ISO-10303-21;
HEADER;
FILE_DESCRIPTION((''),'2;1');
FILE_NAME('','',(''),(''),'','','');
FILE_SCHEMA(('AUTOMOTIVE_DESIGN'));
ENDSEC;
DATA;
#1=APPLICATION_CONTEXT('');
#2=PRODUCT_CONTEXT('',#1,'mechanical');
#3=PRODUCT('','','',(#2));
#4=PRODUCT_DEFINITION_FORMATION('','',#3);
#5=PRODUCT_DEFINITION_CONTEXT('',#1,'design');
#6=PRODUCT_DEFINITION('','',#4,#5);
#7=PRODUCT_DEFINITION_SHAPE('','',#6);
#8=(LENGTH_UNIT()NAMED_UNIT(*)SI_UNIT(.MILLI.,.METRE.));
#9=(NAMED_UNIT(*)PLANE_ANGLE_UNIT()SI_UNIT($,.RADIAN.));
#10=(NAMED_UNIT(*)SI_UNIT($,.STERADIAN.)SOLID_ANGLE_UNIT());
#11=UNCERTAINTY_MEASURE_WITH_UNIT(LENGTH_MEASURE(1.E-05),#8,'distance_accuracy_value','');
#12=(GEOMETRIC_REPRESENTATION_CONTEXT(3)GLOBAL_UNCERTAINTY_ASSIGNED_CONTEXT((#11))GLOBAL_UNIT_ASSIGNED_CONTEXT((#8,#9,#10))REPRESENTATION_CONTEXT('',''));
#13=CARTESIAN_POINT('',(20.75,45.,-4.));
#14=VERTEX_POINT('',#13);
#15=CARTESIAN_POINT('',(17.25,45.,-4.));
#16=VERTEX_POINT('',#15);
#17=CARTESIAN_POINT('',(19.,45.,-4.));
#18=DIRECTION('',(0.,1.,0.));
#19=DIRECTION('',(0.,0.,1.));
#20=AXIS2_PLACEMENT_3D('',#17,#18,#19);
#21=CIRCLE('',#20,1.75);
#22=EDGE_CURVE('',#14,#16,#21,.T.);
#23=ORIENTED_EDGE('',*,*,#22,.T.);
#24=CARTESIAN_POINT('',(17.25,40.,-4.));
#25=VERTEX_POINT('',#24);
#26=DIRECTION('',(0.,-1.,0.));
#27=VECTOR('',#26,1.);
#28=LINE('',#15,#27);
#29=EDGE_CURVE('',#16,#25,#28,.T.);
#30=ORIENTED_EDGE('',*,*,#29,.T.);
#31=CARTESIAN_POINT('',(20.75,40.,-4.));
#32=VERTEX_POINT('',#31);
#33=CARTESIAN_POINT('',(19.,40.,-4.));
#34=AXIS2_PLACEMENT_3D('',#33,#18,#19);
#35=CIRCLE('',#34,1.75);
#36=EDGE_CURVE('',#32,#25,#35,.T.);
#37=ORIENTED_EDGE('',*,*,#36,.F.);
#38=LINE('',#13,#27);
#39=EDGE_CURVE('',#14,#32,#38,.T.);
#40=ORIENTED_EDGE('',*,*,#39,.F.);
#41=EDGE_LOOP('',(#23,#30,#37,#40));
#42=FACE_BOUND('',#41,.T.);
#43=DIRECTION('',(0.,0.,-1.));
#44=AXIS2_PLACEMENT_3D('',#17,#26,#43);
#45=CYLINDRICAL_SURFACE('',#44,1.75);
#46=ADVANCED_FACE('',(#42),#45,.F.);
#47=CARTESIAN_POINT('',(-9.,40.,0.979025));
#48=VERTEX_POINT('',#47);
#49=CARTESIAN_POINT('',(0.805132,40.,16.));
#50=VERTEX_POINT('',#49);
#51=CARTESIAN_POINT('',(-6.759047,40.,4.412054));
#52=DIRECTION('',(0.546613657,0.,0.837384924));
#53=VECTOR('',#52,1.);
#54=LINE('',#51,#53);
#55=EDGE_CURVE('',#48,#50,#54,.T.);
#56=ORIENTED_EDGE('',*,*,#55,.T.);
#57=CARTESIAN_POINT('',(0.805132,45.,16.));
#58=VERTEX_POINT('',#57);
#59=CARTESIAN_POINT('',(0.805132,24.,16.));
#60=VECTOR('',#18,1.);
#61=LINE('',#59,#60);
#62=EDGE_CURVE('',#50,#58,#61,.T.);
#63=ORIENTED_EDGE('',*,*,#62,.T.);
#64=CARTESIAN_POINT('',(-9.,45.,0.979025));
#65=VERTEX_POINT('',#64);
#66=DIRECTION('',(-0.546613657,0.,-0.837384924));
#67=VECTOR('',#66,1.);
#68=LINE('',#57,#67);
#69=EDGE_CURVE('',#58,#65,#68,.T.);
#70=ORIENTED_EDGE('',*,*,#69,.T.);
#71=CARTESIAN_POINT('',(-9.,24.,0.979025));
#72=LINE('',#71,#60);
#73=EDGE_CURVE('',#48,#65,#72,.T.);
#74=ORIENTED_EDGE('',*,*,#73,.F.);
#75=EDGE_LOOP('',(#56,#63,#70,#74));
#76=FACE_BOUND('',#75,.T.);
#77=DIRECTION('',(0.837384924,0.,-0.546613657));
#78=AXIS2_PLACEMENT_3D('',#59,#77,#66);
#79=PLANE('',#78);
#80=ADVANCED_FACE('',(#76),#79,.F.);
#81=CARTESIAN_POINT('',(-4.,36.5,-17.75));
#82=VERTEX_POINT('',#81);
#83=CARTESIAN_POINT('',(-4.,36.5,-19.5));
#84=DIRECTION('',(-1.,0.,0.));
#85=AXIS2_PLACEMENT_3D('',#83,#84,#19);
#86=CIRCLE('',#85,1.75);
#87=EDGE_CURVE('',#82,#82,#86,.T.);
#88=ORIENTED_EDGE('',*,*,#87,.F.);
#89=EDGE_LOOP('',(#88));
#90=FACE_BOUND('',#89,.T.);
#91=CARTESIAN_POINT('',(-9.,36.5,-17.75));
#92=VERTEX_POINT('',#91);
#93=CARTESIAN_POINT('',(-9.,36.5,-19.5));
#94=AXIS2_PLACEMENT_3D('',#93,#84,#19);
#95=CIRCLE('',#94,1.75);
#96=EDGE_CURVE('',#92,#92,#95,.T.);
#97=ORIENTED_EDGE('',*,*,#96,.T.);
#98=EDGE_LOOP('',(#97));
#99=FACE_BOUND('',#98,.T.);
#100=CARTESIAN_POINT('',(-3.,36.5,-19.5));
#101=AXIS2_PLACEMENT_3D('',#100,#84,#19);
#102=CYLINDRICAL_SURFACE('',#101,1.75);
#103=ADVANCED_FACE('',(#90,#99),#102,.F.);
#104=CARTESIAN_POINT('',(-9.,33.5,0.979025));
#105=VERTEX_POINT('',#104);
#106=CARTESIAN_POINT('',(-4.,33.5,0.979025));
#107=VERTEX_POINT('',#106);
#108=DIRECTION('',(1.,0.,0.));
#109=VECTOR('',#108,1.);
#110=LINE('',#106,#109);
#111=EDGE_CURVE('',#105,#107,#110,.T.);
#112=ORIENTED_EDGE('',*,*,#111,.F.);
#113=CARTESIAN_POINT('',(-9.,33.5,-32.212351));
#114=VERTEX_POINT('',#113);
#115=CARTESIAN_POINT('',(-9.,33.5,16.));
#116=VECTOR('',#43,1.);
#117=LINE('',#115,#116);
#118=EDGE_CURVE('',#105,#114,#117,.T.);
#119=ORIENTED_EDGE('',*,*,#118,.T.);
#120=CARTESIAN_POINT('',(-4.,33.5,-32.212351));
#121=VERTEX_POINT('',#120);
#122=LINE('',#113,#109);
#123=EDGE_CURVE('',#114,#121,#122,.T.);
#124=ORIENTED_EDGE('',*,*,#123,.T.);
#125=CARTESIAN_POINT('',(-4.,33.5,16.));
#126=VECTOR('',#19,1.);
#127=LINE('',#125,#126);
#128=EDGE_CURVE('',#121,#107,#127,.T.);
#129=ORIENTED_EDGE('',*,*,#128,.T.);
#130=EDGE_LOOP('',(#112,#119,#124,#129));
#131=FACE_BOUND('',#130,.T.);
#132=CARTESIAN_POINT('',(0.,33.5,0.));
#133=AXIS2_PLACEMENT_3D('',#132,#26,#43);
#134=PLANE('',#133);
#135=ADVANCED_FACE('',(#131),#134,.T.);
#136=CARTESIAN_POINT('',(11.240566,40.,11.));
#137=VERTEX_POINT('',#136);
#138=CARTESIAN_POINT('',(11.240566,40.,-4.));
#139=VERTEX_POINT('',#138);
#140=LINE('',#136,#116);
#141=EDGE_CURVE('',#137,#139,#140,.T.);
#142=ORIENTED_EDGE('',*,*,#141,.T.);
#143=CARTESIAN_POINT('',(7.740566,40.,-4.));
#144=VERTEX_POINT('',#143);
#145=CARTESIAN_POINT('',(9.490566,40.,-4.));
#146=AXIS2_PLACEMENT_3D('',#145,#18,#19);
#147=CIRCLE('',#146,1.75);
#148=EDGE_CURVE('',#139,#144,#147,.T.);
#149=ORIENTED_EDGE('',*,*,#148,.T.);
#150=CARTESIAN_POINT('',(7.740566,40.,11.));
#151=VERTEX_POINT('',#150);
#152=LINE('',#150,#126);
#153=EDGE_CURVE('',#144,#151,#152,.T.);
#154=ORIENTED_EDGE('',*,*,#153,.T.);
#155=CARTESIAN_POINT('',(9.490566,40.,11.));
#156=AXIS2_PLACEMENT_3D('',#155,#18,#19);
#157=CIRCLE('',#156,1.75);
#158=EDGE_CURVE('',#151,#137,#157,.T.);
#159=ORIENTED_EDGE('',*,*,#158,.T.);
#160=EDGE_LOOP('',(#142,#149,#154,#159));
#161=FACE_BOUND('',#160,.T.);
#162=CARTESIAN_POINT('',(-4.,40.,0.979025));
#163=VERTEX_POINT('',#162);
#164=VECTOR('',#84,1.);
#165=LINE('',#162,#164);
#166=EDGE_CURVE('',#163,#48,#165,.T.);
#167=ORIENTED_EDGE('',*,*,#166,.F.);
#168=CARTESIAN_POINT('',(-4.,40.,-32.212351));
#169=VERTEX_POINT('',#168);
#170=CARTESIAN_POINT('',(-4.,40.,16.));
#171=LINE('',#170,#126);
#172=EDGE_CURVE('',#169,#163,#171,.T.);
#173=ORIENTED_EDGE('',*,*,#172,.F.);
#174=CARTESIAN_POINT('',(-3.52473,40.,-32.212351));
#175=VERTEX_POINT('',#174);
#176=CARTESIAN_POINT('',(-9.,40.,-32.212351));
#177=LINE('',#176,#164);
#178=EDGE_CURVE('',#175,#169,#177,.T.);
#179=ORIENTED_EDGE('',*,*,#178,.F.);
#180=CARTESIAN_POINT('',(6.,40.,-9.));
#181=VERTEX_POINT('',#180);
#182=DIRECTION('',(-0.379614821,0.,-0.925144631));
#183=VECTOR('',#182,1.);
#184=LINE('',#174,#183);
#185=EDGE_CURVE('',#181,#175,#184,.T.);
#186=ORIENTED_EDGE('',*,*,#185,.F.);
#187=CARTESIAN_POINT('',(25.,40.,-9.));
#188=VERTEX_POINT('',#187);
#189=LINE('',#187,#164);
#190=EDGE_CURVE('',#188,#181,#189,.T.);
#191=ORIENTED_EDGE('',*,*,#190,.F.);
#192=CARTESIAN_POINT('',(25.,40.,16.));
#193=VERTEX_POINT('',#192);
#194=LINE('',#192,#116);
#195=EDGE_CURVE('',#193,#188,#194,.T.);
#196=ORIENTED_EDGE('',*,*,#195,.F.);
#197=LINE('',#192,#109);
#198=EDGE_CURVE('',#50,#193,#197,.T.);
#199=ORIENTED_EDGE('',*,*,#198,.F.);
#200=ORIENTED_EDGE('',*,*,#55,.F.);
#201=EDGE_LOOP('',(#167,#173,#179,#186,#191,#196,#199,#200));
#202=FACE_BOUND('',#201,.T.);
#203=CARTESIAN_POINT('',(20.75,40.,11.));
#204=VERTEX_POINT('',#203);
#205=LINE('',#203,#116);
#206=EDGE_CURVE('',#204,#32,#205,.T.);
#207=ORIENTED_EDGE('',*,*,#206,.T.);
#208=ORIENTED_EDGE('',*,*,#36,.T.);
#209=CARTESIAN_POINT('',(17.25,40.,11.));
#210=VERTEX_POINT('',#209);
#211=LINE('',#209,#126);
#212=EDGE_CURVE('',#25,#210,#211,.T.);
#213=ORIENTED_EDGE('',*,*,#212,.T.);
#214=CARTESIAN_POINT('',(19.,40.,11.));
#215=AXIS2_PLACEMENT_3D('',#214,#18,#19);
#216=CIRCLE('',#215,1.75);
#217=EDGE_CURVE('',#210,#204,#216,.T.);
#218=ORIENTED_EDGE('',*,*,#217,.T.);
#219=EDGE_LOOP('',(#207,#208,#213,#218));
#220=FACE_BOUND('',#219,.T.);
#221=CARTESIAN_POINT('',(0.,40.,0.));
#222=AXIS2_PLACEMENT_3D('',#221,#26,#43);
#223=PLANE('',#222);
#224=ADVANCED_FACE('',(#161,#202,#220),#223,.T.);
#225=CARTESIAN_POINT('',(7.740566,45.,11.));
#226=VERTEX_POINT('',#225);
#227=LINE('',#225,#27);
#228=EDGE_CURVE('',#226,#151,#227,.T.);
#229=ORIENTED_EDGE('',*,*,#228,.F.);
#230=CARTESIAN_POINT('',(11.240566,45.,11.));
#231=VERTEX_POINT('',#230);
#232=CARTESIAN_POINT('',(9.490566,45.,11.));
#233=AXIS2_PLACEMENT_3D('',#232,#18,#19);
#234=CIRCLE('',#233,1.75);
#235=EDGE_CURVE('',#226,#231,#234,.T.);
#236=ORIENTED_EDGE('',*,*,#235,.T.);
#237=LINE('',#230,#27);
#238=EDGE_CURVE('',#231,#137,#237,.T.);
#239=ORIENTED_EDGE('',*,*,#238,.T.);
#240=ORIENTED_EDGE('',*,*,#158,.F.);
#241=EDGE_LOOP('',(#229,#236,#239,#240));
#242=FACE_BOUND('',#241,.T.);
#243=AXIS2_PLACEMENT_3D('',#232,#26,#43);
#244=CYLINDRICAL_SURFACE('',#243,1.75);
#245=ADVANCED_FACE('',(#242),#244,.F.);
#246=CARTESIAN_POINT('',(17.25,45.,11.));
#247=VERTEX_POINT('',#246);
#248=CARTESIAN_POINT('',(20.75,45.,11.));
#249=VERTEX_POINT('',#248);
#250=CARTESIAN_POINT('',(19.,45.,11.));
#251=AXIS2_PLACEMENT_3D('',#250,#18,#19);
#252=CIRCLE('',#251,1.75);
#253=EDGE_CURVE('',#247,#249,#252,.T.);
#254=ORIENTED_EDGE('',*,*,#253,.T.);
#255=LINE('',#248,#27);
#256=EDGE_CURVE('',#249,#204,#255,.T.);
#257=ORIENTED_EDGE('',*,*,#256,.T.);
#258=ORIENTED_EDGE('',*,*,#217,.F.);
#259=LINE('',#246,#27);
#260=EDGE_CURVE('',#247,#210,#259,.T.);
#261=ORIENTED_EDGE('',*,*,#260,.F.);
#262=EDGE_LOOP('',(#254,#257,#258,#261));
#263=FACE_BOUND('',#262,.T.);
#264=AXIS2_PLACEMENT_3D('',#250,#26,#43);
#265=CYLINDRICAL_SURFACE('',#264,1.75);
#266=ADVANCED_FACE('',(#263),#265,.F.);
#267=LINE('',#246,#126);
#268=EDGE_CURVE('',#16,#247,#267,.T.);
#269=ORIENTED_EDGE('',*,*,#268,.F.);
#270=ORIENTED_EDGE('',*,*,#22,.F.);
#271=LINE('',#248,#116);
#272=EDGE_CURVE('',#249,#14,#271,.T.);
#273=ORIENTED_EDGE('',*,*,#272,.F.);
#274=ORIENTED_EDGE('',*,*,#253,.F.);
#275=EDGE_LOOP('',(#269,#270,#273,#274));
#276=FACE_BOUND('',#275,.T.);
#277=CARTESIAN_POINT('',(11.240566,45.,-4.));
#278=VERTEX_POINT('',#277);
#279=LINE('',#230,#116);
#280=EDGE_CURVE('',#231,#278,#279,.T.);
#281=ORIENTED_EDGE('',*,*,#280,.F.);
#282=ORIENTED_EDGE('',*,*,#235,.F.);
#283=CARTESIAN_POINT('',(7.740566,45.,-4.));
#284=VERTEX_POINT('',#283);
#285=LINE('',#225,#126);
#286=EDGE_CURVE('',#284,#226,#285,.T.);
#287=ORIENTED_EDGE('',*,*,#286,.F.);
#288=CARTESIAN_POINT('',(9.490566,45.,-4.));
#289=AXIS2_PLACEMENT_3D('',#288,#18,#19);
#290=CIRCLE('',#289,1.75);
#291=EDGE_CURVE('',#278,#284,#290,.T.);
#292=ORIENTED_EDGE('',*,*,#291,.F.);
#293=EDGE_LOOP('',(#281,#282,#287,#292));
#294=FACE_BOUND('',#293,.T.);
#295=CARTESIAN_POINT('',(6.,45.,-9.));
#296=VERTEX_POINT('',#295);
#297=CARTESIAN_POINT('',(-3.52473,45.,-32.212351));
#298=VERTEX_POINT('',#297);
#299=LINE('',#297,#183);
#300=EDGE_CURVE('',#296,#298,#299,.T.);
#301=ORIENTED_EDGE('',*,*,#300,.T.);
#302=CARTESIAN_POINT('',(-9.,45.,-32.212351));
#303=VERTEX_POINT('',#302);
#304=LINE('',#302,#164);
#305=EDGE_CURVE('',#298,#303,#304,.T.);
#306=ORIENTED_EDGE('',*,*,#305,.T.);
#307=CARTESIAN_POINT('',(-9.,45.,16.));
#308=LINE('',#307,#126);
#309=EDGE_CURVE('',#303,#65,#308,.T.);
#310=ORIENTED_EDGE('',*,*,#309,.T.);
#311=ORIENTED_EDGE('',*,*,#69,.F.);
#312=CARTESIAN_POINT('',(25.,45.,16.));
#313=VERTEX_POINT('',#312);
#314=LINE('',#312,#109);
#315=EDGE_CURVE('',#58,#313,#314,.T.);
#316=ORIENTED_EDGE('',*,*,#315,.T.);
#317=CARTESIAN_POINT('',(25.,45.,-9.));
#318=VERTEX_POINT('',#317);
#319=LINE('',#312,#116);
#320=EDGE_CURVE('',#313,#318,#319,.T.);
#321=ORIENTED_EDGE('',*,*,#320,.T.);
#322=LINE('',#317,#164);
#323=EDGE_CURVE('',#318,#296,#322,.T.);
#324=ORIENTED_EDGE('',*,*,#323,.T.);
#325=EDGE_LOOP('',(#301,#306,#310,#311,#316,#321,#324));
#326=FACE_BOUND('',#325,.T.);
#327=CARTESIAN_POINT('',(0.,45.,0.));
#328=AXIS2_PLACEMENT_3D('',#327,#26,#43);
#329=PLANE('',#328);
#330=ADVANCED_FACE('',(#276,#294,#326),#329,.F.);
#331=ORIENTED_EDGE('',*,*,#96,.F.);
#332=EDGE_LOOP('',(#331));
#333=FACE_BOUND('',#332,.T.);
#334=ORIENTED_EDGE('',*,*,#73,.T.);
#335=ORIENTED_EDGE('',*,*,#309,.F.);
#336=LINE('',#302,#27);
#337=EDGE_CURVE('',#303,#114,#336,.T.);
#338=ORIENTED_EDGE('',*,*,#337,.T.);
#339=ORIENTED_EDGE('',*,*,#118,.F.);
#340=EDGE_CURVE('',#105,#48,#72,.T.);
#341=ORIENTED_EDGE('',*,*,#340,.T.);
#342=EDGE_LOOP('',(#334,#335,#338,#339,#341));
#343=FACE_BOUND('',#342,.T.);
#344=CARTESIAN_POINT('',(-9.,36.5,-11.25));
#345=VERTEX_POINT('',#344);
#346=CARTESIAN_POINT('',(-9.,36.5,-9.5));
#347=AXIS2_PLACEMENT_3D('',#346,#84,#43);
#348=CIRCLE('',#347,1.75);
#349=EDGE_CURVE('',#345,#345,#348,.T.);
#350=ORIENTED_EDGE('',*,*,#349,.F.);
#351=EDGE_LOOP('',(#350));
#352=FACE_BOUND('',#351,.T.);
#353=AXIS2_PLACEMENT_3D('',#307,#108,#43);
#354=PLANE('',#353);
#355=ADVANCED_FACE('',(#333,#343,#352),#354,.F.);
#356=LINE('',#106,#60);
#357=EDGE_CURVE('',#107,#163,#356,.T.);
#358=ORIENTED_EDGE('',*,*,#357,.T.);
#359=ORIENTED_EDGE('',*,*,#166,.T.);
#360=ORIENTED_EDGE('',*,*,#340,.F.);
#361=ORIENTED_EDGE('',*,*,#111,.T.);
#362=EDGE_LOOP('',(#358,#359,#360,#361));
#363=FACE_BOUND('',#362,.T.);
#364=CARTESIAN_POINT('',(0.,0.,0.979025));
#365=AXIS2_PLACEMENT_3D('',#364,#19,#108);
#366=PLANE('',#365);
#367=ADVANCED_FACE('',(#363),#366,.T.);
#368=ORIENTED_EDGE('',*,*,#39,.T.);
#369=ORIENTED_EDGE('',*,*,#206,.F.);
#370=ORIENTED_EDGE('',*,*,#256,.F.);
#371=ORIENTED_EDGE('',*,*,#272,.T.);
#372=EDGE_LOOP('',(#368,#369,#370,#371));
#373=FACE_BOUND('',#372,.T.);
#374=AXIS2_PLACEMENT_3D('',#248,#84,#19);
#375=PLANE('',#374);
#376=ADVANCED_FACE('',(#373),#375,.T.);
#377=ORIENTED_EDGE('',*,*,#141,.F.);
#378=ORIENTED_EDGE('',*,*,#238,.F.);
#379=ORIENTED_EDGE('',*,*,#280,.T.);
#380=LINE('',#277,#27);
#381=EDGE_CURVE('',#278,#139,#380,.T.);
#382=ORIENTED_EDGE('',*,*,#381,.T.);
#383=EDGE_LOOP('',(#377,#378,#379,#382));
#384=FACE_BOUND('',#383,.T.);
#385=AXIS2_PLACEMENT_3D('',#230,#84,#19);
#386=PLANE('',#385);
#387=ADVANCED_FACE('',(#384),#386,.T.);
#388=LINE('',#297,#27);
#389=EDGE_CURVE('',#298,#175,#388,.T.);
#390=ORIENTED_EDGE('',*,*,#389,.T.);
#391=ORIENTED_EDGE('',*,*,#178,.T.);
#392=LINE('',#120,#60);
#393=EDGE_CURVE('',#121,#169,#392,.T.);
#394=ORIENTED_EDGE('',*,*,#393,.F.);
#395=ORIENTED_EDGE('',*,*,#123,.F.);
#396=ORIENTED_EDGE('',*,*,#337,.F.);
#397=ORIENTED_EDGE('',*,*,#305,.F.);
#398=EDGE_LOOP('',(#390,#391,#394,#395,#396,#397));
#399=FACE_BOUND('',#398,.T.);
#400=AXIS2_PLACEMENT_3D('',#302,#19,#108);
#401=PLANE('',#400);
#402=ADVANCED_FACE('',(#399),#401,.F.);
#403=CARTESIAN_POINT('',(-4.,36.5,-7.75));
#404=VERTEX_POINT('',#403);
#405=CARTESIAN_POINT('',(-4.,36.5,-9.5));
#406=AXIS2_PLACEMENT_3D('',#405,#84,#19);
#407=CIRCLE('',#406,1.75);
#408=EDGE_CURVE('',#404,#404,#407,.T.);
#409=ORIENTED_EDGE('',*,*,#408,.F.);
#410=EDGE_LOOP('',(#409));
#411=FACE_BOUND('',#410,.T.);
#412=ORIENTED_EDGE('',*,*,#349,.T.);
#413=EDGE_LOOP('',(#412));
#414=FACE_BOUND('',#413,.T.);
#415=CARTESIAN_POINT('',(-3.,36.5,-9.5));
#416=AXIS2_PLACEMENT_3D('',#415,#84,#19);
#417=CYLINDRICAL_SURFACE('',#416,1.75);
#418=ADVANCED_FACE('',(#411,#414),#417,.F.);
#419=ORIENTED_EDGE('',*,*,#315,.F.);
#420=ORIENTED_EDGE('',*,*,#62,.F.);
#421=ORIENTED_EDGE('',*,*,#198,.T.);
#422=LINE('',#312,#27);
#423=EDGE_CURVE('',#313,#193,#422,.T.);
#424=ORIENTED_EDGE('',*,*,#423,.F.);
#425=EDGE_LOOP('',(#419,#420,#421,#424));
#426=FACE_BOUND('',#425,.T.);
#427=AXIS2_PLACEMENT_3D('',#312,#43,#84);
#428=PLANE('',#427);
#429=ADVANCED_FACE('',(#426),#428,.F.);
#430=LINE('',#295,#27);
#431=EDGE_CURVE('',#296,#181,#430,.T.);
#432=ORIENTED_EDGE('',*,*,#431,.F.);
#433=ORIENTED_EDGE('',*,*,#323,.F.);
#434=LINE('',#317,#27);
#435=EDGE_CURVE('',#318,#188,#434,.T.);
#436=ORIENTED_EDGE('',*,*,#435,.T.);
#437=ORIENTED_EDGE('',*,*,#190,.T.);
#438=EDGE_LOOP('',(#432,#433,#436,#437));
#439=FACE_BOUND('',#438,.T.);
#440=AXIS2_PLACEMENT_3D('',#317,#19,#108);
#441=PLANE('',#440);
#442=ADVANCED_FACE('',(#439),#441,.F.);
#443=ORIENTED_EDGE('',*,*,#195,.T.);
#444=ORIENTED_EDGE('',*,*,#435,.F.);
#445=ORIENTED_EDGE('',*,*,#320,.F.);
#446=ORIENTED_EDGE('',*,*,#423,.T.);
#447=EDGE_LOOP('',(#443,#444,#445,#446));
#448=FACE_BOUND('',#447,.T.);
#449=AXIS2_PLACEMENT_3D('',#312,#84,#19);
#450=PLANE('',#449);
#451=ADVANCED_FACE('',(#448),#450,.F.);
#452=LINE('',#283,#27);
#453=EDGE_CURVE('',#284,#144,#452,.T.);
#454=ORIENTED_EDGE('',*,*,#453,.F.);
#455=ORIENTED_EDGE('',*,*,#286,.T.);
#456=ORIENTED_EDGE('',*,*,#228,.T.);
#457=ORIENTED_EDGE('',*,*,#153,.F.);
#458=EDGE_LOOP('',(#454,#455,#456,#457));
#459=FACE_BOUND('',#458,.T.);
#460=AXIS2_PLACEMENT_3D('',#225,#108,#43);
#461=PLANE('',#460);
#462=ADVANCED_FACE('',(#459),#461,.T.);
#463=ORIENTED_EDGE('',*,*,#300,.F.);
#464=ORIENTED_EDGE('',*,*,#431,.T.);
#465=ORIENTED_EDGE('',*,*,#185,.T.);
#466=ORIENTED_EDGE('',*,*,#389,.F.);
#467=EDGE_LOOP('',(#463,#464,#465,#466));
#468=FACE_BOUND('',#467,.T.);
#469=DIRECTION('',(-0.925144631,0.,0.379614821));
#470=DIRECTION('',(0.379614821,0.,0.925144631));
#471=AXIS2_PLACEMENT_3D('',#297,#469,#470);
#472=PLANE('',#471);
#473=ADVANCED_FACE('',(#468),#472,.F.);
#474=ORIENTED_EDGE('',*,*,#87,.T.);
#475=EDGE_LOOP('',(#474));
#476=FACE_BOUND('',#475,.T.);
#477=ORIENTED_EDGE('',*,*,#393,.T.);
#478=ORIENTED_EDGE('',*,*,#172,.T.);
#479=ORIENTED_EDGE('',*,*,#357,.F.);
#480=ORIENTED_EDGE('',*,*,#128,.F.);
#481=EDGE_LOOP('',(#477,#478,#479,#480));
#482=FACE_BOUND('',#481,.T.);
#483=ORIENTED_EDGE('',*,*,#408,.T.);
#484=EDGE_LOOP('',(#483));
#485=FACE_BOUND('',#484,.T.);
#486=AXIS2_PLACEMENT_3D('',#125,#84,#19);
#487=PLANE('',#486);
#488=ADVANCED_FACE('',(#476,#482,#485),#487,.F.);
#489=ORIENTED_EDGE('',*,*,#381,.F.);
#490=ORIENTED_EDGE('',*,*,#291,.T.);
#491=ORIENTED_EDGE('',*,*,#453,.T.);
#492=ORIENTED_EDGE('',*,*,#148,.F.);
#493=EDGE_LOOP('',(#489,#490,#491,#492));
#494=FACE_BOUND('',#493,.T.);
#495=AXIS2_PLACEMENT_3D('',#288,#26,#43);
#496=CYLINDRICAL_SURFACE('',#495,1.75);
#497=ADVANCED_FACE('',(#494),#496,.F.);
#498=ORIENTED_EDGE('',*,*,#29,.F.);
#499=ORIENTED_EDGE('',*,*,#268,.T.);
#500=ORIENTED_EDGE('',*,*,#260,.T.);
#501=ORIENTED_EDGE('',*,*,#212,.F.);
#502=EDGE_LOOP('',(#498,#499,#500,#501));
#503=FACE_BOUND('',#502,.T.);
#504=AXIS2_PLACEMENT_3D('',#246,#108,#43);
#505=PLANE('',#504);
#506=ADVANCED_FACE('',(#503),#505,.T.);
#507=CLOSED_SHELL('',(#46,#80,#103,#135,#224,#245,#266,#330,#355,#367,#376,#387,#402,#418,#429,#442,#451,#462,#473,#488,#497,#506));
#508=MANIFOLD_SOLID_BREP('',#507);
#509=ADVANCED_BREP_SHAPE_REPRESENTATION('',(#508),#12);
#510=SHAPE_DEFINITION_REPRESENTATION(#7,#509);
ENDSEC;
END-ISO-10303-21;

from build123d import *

# Parameters (mm, degrees)
ESTRUSIONE_ESTRUSIONE8_DEPTH = 5
SCHIZZO19_W                  = 5
SCHIZZO19_H                  = 48.212351189
ESTRUSIONE_ESTRUSIONE9_DEPTH = 6.5
SCHIZZO20_R                  = 1.75
TAGLIO_ESTRUSIONE9_DEPTH     = 6
TAGLIO_ESTRUSIONE13_DEPTH    = 21
SCHIZZO26_W                  = 5
SCHIZZO26_H                  = 6.5
TAGLIO_ESTRUSIONE15_DEPTH    = 21


with BuildPart() as part:
    # Schizzo18 → Estrusione-Estrusione8 (new body)
    with BuildSketch(Plane(origin=(0, 40, 0), x_dir=(1, 0, 0), z_dir=(0, 1, 0))):
        Polygon((25, -16), (-9, -16), (-9, 32.212351189), (-3.52472969, 32.212351189), (6, 9), (25, 9), align=None)
        with BuildLine():
            Line((17.25, -11), (17.25, 4))
            ThreePointArc((17.25, 4), (19, 5.75), (20.75, 4))
            Line((20.75, 4), (20.75, -11))
            ThreePointArc((20.75, -11), (19, -12.75), (17.25, -11))
        make_face(mode=Mode.SUBTRACT)
        with BuildLine():
            Line((7.74056589, -11), (7.74056589, 4))
            ThreePointArc((7.74056589, 4), (9.49056589, 5.75), (11.24056589, 4))
            Line((11.24056589, 4), (11.24056589, -11))
            ThreePointArc((11.24056589, -11), (9.49056589, -12.75), (7.74056589, -11))
        make_face(mode=Mode.SUBTRACT)
    extrude(amount=ESTRUSIONE_ESTRUSIONE8_DEPTH)

    # Schizzo19 → Estrusione-Estrusione9 (add)
    with BuildSketch(Plane.XZ.offset(-40)):
        with Locations((-6.5, -8.106175595)):
            Rectangle(SCHIZZO19_W, SCHIZZO19_H)
    extrude(amount=ESTRUSIONE_ESTRUSIONE9_DEPTH)

    # Schizzo20 → Taglio-Estrusione9 (cut)
    with BuildSketch(Plane.ZY.offset(9)):
        with Locations((-19.5, 36.5)):
            Circle(SCHIZZO20_R)
        with Locations((-9.5, 36.5)):
            Circle(SCHIZZO20_R)
    extrude(amount=-TAGLIO_ESTRUSIONE9_DEPTH, mode=Mode.SUBTRACT)

    # Schizzo24 → Taglio-Estrusione13 (cut)
    with BuildSketch(Plane(origin=(0, 45, 0), x_dir=(1, 0, 0), z_dir=(0, 1, 0))):
        Polygon((0.805132443, -16), (-9, -0.979024983), (-9, -16), align=None)
    extrude(amount=-TAGLIO_ESTRUSIONE13_DEPTH, mode=Mode.SUBTRACT)

    # Schizzo26 → Taglio-Estrusione15 (cut)
    with BuildSketch(Plane.XY.offset(0.979024983)):
        with Locations((-6.5, 36.75)):
            Rectangle(SCHIZZO26_W, SCHIZZO26_H)
    extrude(amount=TAGLIO_ESTRUSIONE15_DEPTH, mode=Mode.SUBTRACT)


solid = part.part
